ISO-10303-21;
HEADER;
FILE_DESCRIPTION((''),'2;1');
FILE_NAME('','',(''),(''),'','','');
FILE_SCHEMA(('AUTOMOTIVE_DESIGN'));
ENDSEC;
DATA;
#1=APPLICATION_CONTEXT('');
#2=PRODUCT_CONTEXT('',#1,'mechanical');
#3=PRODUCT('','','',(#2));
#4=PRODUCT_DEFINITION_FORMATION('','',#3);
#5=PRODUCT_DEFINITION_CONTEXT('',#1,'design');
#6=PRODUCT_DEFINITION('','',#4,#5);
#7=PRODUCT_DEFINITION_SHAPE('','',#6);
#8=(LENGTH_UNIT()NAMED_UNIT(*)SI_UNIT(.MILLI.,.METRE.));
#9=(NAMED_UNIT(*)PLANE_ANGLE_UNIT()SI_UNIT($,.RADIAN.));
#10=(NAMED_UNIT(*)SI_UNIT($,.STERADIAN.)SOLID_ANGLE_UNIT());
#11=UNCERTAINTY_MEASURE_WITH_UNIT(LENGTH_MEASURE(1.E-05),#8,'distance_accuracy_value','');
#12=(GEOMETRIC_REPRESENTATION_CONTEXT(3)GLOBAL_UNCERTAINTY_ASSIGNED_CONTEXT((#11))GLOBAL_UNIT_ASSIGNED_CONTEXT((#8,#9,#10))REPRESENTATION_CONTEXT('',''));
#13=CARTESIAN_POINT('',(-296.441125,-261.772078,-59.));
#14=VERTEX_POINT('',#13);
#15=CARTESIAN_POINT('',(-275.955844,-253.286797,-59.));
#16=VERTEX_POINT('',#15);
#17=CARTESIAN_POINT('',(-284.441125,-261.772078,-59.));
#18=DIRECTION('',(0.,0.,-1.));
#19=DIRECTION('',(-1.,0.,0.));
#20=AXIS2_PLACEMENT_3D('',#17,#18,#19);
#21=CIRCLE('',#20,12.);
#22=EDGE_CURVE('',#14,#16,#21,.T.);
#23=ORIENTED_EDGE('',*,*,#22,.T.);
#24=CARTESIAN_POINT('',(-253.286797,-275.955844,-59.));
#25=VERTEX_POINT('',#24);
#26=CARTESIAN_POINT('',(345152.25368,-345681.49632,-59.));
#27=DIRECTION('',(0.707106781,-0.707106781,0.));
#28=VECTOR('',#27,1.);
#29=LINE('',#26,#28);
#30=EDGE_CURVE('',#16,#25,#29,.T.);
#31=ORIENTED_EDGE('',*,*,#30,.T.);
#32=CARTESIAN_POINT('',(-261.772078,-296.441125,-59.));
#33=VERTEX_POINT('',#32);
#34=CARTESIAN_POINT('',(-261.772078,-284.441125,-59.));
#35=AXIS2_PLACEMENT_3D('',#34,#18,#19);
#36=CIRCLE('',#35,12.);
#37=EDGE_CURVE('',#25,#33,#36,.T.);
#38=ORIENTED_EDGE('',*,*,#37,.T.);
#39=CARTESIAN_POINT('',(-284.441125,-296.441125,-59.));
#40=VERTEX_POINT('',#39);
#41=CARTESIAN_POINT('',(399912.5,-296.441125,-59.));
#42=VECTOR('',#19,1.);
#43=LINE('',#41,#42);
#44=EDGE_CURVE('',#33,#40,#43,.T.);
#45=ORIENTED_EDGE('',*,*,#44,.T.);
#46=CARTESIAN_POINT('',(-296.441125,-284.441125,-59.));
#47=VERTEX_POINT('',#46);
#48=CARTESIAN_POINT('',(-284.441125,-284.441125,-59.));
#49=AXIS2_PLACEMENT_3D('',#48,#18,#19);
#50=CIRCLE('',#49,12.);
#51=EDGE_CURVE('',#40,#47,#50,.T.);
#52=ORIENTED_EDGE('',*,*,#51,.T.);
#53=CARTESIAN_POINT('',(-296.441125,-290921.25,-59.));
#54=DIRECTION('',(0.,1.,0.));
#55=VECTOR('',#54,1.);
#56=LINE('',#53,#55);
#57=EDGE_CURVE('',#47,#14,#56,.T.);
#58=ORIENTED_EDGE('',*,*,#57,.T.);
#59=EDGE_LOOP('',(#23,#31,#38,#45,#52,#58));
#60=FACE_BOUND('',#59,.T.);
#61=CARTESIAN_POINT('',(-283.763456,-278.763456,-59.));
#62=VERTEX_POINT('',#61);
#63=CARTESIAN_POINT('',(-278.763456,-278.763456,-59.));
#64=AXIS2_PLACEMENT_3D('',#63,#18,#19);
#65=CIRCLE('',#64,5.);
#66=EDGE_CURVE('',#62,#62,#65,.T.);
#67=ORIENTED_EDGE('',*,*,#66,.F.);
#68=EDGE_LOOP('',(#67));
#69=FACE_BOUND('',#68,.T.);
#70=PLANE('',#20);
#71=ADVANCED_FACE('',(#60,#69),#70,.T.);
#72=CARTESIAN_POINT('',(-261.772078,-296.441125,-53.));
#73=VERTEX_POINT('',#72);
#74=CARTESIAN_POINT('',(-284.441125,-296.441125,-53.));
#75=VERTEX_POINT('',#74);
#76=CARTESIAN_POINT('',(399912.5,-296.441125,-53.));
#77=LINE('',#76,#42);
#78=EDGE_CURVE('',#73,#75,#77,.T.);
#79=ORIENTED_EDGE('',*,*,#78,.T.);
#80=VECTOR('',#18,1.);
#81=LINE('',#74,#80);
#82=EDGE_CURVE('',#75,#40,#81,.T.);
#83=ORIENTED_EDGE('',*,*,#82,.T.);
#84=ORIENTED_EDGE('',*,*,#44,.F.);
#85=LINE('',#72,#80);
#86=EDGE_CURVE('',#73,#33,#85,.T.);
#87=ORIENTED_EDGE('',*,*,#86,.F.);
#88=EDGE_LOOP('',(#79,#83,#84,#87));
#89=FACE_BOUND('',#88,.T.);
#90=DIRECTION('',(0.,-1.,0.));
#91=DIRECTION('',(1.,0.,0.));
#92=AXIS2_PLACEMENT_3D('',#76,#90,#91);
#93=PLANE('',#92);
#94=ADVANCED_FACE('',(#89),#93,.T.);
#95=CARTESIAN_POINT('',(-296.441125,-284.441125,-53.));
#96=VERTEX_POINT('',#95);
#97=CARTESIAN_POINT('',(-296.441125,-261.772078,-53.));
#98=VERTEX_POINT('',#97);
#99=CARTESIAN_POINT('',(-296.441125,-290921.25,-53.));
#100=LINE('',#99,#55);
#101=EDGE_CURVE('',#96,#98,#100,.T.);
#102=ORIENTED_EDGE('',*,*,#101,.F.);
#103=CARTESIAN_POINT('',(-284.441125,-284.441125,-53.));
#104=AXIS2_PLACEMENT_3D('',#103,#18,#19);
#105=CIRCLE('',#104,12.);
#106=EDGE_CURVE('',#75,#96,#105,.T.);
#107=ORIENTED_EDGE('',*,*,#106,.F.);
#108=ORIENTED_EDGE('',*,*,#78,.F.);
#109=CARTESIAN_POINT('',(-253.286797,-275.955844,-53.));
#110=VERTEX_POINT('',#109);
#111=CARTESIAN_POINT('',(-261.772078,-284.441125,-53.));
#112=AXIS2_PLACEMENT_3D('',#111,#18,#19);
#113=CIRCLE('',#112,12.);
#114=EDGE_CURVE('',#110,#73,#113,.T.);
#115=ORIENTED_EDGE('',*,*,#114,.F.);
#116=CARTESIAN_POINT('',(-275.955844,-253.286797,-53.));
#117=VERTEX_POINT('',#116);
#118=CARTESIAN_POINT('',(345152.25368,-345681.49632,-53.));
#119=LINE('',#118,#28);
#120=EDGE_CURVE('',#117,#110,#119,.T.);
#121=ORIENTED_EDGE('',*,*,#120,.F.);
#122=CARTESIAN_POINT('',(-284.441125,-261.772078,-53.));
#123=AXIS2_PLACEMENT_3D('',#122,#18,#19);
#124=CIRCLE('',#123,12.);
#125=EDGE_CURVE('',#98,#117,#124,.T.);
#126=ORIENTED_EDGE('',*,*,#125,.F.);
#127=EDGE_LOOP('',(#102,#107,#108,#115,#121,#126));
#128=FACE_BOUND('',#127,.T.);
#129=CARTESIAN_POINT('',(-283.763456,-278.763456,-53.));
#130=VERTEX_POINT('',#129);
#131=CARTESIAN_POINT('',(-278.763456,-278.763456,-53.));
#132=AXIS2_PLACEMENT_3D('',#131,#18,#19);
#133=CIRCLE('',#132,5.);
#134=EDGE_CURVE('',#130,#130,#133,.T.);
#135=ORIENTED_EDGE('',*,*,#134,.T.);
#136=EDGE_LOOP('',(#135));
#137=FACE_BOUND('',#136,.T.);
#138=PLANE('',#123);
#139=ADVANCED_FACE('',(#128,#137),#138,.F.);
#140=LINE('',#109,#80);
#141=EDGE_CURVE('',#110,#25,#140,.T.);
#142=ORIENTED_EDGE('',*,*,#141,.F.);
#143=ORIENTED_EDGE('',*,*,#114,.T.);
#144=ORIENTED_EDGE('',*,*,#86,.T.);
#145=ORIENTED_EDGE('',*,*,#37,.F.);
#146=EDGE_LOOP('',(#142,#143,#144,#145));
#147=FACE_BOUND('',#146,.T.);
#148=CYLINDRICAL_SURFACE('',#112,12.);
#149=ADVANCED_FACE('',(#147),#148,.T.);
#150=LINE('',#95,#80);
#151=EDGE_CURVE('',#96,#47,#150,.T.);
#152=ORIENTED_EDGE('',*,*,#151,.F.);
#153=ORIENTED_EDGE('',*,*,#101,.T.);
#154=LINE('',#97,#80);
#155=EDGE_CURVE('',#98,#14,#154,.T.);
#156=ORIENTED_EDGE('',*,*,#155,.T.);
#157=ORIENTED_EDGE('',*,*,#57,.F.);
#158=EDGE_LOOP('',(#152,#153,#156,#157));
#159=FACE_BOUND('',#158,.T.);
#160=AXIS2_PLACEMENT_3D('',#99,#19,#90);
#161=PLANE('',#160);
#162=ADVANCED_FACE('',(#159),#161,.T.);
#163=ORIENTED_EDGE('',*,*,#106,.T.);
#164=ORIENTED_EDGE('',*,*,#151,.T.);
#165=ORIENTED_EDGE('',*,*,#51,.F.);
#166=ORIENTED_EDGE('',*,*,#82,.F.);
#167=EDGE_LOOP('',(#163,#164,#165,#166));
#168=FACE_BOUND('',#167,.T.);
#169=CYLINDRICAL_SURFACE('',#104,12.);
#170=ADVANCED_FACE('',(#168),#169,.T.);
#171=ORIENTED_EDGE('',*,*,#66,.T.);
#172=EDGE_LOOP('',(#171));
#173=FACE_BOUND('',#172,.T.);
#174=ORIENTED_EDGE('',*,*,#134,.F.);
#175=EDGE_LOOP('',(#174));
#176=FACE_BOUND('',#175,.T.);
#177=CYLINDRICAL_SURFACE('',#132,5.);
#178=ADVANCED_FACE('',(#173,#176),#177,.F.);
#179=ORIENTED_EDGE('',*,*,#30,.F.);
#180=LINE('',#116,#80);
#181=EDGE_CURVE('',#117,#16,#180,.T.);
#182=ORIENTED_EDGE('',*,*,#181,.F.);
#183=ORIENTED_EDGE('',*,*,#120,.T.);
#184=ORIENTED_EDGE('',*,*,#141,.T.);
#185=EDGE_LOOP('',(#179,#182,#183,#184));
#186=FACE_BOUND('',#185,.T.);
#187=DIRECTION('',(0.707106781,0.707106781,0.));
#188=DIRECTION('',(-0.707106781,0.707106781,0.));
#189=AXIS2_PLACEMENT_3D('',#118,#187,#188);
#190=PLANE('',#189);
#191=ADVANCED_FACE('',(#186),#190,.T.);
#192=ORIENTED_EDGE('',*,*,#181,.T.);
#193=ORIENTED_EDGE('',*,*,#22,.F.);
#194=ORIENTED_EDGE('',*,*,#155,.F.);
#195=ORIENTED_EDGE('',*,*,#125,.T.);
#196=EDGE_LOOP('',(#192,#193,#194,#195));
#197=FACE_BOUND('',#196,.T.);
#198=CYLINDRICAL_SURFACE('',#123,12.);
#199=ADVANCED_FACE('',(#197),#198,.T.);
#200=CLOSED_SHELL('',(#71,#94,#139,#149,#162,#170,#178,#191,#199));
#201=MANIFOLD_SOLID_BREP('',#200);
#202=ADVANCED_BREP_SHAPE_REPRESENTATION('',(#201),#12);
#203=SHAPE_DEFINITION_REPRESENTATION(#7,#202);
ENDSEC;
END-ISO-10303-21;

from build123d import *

# Parameters (mm, degrees)
BOSS_EXTRUDE1_START = -59
SKETCH1_R           = 5
BOSS_EXTRUDE1_DEPTH = 6


with BuildPart() as part:
    # Sketch1 → Boss-Extrude1 (new body)
    with BuildSketch(Plane.XY.offset(BOSS_EXTRUDE1_START)):
        with BuildLine():
            Line((-253.286796564, -275.955844123), (-275.955844123, -253.286796564))
            ThreePointArc((-275.955844123, -253.286796564), (-289.033326685, -250.685523549), (-296.441125497, -261.772077939))
            Line((-296.441125497, -261.772077939), (-296.441125497, -284.441125497))
            ThreePointArc((-296.441125497, -284.441125497), (-292.926406871, -292.926406871), (-284.441125497, -296.441125497))
            Line((-284.441125497, -296.441125497), (-261.772077939, -296.441125497))
            ThreePointArc((-261.772077939, -296.441125497), (-250.685523549, -289.033326685), (-253.286796564, -275.955844123))
        make_face()
        with Locations((-278.763455967, -278.763455967)):
            Circle(SKETCH1_R, mode=Mode.SUBTRACT)
    extrude(amount=BOSS_EXTRUDE1_DEPTH)


solid = part.part
